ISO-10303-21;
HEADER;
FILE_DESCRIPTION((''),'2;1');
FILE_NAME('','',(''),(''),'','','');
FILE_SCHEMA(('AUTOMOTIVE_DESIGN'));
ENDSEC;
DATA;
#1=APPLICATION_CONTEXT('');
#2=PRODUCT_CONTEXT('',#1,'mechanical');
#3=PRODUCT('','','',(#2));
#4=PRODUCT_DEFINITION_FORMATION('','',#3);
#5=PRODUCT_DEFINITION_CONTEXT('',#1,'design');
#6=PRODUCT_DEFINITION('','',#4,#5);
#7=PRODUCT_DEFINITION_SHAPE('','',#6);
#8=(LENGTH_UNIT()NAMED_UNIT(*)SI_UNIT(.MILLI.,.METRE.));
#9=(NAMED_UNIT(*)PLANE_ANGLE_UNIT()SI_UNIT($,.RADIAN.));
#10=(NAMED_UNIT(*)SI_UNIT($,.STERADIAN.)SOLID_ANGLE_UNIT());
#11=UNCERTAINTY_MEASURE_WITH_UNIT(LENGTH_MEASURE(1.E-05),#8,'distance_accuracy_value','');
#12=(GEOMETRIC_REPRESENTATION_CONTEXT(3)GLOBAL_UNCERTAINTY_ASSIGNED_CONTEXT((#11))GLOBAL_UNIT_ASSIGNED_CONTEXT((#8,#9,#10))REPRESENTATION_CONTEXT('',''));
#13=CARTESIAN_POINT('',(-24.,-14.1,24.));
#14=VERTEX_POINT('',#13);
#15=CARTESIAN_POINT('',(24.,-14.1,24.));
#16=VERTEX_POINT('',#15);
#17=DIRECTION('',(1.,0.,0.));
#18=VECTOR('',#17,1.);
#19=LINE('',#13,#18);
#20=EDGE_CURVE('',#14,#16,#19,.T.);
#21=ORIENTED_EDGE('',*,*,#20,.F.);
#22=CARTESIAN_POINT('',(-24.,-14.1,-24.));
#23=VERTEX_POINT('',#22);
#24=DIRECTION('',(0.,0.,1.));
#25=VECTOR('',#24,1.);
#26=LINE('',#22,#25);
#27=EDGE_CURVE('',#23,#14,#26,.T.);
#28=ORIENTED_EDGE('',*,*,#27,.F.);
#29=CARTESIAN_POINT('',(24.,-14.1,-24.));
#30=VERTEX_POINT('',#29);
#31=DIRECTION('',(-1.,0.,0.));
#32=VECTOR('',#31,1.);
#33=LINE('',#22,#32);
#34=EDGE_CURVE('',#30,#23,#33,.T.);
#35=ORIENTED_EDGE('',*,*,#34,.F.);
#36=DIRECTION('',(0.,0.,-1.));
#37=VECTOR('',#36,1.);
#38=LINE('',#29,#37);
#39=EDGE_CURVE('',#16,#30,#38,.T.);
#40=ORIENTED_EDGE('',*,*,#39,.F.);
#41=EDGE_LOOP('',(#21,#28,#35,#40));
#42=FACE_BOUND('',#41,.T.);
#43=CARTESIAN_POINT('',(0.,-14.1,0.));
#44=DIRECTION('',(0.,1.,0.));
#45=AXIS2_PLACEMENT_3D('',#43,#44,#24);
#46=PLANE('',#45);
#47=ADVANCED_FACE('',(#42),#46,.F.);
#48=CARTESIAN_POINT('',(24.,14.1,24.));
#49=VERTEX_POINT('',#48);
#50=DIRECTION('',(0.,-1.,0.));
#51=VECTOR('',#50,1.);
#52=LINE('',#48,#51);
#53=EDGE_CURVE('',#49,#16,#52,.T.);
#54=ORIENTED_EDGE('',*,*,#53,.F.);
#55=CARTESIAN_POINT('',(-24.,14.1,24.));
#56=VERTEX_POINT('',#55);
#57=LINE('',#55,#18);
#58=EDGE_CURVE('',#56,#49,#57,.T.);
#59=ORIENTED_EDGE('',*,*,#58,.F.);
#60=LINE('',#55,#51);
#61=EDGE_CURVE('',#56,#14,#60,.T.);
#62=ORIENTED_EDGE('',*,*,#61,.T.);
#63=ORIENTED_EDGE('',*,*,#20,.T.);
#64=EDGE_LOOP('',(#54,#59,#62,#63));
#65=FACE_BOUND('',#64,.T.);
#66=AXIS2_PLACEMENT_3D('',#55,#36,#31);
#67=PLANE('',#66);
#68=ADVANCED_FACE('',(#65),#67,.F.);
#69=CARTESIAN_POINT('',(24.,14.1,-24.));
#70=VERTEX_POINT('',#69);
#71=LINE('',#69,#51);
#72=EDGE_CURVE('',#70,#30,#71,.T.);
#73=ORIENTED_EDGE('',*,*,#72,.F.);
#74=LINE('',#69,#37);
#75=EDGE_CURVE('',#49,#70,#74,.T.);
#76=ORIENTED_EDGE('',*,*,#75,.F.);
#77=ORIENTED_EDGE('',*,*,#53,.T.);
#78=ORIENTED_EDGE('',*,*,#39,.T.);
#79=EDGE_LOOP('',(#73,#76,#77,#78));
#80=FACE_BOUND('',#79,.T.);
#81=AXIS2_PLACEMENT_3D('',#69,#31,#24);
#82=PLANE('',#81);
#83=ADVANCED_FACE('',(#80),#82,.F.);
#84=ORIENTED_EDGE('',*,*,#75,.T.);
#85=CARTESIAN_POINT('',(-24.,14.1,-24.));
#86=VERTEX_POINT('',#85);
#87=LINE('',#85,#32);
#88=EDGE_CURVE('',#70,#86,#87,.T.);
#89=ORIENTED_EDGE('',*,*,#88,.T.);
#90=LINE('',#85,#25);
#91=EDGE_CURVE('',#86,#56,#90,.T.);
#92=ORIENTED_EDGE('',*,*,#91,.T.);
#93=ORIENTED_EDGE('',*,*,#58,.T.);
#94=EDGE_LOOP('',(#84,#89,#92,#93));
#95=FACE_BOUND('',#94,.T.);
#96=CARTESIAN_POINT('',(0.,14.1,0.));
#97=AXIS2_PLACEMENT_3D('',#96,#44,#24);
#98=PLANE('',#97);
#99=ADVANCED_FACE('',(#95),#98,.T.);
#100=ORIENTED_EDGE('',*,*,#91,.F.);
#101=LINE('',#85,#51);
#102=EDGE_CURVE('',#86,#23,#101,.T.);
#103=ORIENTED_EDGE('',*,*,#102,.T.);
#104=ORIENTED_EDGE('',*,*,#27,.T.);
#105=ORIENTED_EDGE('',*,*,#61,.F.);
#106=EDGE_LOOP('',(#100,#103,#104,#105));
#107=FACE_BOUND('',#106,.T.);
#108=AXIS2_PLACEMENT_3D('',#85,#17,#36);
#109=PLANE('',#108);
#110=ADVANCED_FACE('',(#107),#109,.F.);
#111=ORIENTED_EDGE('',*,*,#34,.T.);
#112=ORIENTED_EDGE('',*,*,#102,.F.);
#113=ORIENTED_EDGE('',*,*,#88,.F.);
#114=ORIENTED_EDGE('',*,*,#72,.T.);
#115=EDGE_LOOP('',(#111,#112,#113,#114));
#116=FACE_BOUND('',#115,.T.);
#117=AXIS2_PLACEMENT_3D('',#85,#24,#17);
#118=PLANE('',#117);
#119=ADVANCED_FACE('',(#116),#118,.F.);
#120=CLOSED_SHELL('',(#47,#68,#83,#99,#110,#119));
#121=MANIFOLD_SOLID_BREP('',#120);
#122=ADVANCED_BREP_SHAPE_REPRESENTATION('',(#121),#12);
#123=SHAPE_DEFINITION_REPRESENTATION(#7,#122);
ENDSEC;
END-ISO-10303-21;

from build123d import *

# Parameters (mm, degrees)
SKETCH1_W           = 48
SKETCH1_H           = 48
BOSS_EXTRUDE1_DEPTH = 14.1


with BuildPart() as part:
    # Sketch1 → Boss-Extrude1 (new body, symmetric)
    with BuildSketch(Plane(origin=(0, 0, 0), x_dir=(1, 0, 0), z_dir=(0, 1, 0))):
        Rectangle(SKETCH1_W, SKETCH1_H)
    extrude(amount=BOSS_EXTRUDE1_DEPTH, both=True)


solid = part.part
